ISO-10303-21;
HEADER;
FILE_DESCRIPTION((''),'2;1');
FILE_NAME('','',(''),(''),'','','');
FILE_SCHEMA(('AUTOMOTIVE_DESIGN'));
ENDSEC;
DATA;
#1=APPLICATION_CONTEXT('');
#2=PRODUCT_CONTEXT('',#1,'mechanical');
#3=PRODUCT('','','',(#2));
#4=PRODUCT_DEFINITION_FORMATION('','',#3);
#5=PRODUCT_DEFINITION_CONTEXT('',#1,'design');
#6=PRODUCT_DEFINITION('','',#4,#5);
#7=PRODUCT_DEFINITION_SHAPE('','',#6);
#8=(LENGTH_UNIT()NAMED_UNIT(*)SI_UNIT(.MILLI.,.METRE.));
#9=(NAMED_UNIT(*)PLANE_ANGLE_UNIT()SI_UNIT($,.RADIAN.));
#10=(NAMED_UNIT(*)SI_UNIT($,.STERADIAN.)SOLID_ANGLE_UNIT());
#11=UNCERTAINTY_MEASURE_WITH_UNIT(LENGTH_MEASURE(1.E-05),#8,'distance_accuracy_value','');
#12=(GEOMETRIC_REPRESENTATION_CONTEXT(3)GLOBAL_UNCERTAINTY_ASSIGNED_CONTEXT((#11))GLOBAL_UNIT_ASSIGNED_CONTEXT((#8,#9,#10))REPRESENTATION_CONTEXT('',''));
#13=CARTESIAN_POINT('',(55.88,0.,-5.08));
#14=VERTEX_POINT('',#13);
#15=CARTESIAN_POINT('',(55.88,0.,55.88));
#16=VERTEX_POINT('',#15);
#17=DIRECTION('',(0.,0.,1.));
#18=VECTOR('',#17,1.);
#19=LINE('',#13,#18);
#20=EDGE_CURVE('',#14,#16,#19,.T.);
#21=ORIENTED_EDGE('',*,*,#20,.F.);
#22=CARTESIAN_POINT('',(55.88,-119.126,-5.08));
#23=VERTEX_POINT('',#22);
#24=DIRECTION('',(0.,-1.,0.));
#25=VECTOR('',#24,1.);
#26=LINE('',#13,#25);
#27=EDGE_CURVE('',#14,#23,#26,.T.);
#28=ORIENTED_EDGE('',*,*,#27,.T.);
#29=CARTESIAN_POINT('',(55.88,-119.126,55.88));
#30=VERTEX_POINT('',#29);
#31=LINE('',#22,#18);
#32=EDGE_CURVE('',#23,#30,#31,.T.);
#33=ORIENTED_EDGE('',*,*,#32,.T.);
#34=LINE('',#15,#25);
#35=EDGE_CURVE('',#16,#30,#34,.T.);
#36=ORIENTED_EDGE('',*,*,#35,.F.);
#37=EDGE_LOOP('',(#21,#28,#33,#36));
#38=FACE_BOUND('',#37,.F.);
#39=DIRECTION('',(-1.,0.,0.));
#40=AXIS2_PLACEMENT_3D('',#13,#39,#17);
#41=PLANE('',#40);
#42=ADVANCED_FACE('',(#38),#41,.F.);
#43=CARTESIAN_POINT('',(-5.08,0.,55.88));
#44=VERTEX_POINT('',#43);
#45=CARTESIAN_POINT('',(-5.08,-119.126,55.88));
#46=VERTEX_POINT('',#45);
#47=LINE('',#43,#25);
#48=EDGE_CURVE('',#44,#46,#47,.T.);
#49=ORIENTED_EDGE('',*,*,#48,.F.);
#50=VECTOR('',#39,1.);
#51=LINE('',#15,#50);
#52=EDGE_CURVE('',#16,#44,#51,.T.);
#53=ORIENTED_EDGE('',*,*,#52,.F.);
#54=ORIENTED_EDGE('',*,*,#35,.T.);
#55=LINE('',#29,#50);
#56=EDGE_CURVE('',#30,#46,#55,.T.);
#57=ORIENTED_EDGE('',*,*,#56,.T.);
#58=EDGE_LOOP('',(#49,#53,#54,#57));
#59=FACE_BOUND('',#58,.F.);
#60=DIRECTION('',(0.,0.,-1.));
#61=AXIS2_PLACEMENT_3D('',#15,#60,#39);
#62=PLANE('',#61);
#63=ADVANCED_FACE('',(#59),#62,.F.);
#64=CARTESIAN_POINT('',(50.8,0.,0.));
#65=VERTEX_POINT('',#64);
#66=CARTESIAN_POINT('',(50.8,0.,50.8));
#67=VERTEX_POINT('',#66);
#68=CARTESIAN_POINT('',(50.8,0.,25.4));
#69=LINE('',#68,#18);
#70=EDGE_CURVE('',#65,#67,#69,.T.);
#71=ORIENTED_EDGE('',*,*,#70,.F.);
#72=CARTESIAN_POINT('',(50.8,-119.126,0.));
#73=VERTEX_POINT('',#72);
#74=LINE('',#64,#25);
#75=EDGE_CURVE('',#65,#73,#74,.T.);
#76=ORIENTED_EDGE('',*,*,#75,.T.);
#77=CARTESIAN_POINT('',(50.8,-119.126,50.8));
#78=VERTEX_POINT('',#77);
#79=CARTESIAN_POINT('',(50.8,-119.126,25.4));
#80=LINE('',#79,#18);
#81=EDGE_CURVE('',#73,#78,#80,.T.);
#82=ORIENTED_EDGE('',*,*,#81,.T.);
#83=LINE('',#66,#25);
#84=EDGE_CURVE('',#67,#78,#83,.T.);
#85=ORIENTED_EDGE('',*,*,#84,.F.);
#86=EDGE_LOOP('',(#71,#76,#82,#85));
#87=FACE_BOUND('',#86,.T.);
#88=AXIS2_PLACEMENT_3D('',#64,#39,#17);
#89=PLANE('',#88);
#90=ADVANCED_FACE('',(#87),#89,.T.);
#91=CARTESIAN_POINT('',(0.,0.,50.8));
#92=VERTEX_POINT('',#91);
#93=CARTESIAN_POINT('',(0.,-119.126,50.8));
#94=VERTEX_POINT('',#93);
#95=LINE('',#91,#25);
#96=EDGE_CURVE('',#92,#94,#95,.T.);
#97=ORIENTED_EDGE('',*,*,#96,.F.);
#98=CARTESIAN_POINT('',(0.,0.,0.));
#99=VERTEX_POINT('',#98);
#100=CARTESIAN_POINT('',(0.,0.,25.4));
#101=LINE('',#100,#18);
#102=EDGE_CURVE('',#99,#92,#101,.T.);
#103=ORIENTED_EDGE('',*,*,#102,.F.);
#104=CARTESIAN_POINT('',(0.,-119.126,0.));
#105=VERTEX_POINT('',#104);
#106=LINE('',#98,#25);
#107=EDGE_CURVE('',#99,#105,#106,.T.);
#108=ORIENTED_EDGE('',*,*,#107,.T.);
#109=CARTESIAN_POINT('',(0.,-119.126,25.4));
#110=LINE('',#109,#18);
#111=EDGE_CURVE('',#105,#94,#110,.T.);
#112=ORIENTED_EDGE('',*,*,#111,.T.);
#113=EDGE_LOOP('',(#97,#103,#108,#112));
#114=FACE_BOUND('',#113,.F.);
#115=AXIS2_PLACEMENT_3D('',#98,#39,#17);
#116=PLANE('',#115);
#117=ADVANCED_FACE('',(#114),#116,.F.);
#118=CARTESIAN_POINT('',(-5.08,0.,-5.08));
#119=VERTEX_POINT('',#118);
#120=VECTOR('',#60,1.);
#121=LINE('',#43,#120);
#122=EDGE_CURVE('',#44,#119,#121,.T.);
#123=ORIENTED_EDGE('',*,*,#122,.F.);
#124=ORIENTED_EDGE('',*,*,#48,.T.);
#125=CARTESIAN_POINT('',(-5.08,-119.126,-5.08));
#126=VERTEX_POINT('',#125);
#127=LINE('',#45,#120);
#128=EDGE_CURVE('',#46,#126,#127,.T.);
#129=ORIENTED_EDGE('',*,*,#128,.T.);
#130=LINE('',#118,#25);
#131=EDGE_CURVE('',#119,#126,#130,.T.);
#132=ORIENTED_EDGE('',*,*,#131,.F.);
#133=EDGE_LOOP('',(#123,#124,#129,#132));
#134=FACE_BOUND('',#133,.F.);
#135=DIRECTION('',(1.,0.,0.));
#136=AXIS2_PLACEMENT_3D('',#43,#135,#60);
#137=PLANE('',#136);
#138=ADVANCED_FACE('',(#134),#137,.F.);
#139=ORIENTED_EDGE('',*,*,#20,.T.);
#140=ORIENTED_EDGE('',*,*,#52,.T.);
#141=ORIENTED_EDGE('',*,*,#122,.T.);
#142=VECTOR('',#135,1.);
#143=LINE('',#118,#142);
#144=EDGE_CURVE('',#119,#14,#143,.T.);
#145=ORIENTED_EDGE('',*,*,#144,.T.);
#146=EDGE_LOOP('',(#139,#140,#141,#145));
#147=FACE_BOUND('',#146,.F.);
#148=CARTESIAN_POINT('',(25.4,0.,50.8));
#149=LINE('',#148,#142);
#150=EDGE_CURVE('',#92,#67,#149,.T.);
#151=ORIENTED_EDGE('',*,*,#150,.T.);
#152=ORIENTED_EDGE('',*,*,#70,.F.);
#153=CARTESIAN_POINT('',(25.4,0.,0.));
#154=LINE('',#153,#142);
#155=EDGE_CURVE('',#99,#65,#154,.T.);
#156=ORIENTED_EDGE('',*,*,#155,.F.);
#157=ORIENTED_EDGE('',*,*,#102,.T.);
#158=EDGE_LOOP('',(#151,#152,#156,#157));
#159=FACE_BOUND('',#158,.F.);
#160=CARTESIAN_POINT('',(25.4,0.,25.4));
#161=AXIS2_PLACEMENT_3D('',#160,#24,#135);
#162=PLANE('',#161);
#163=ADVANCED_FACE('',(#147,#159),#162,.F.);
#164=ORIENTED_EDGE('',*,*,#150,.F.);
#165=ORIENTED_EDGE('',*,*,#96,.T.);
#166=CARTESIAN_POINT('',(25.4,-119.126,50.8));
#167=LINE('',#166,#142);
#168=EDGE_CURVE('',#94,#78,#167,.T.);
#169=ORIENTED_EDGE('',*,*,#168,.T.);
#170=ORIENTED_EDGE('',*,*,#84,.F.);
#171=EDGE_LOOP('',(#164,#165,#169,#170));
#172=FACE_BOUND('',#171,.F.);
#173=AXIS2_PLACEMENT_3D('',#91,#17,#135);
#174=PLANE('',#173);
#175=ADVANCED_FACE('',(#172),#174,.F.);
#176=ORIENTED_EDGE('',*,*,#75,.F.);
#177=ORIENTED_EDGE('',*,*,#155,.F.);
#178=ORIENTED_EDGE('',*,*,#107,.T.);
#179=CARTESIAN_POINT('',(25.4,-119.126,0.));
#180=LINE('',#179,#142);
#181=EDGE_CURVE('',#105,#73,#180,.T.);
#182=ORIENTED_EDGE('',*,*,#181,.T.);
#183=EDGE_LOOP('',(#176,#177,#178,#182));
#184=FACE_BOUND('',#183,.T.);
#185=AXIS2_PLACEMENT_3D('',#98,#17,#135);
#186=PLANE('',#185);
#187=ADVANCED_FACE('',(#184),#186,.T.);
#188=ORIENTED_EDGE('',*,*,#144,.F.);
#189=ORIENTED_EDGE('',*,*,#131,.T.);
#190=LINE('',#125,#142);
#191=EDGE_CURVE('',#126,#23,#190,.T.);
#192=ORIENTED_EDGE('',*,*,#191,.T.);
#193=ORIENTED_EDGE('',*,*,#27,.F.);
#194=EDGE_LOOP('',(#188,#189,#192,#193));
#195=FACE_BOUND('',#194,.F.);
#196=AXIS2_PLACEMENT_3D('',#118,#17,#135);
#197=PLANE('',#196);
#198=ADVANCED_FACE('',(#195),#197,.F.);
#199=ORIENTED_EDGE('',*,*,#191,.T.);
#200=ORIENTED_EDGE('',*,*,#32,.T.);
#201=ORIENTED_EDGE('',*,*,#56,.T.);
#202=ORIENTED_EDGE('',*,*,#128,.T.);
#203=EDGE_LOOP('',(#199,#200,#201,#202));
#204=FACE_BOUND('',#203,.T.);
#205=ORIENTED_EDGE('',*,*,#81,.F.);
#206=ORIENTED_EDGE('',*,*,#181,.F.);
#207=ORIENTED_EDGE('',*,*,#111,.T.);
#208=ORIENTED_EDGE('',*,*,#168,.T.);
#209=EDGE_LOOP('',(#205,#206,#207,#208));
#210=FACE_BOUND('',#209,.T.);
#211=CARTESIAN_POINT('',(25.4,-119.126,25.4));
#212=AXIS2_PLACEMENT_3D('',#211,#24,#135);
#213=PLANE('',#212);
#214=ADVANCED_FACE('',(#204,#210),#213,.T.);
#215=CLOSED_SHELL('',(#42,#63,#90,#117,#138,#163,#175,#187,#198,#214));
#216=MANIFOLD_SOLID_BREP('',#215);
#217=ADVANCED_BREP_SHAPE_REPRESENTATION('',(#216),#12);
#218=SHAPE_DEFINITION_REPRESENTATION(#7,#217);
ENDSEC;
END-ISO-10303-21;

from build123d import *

# Parameters (mm, degrees)
F0_W     = 50.8
F0_H     = 50.8
F1_DEPTH = 119.126


with BuildPart() as f1:
    # F0 (on Front) → F1 (new body)
    with BuildSketch(Plane.XZ):
        Polygon((50.8, 55.88), (0, 55.88), (-5.08, 55.88), (-5.08, 50.8), (-5.08, 0), (-5.08, -5.08), (0, -5.08), (50.8, -5.08), (55.88, -5.08), (55.88, 0), (55.88, 50.8), (55.88, 55.88), align=None)
        with Locations((25.4, 25.4)):
            Rectangle(F0_W, F0_H, mode=Mode.SUBTRACT)
    extrude(amount=F1_DEPTH)


solid = f1.part
